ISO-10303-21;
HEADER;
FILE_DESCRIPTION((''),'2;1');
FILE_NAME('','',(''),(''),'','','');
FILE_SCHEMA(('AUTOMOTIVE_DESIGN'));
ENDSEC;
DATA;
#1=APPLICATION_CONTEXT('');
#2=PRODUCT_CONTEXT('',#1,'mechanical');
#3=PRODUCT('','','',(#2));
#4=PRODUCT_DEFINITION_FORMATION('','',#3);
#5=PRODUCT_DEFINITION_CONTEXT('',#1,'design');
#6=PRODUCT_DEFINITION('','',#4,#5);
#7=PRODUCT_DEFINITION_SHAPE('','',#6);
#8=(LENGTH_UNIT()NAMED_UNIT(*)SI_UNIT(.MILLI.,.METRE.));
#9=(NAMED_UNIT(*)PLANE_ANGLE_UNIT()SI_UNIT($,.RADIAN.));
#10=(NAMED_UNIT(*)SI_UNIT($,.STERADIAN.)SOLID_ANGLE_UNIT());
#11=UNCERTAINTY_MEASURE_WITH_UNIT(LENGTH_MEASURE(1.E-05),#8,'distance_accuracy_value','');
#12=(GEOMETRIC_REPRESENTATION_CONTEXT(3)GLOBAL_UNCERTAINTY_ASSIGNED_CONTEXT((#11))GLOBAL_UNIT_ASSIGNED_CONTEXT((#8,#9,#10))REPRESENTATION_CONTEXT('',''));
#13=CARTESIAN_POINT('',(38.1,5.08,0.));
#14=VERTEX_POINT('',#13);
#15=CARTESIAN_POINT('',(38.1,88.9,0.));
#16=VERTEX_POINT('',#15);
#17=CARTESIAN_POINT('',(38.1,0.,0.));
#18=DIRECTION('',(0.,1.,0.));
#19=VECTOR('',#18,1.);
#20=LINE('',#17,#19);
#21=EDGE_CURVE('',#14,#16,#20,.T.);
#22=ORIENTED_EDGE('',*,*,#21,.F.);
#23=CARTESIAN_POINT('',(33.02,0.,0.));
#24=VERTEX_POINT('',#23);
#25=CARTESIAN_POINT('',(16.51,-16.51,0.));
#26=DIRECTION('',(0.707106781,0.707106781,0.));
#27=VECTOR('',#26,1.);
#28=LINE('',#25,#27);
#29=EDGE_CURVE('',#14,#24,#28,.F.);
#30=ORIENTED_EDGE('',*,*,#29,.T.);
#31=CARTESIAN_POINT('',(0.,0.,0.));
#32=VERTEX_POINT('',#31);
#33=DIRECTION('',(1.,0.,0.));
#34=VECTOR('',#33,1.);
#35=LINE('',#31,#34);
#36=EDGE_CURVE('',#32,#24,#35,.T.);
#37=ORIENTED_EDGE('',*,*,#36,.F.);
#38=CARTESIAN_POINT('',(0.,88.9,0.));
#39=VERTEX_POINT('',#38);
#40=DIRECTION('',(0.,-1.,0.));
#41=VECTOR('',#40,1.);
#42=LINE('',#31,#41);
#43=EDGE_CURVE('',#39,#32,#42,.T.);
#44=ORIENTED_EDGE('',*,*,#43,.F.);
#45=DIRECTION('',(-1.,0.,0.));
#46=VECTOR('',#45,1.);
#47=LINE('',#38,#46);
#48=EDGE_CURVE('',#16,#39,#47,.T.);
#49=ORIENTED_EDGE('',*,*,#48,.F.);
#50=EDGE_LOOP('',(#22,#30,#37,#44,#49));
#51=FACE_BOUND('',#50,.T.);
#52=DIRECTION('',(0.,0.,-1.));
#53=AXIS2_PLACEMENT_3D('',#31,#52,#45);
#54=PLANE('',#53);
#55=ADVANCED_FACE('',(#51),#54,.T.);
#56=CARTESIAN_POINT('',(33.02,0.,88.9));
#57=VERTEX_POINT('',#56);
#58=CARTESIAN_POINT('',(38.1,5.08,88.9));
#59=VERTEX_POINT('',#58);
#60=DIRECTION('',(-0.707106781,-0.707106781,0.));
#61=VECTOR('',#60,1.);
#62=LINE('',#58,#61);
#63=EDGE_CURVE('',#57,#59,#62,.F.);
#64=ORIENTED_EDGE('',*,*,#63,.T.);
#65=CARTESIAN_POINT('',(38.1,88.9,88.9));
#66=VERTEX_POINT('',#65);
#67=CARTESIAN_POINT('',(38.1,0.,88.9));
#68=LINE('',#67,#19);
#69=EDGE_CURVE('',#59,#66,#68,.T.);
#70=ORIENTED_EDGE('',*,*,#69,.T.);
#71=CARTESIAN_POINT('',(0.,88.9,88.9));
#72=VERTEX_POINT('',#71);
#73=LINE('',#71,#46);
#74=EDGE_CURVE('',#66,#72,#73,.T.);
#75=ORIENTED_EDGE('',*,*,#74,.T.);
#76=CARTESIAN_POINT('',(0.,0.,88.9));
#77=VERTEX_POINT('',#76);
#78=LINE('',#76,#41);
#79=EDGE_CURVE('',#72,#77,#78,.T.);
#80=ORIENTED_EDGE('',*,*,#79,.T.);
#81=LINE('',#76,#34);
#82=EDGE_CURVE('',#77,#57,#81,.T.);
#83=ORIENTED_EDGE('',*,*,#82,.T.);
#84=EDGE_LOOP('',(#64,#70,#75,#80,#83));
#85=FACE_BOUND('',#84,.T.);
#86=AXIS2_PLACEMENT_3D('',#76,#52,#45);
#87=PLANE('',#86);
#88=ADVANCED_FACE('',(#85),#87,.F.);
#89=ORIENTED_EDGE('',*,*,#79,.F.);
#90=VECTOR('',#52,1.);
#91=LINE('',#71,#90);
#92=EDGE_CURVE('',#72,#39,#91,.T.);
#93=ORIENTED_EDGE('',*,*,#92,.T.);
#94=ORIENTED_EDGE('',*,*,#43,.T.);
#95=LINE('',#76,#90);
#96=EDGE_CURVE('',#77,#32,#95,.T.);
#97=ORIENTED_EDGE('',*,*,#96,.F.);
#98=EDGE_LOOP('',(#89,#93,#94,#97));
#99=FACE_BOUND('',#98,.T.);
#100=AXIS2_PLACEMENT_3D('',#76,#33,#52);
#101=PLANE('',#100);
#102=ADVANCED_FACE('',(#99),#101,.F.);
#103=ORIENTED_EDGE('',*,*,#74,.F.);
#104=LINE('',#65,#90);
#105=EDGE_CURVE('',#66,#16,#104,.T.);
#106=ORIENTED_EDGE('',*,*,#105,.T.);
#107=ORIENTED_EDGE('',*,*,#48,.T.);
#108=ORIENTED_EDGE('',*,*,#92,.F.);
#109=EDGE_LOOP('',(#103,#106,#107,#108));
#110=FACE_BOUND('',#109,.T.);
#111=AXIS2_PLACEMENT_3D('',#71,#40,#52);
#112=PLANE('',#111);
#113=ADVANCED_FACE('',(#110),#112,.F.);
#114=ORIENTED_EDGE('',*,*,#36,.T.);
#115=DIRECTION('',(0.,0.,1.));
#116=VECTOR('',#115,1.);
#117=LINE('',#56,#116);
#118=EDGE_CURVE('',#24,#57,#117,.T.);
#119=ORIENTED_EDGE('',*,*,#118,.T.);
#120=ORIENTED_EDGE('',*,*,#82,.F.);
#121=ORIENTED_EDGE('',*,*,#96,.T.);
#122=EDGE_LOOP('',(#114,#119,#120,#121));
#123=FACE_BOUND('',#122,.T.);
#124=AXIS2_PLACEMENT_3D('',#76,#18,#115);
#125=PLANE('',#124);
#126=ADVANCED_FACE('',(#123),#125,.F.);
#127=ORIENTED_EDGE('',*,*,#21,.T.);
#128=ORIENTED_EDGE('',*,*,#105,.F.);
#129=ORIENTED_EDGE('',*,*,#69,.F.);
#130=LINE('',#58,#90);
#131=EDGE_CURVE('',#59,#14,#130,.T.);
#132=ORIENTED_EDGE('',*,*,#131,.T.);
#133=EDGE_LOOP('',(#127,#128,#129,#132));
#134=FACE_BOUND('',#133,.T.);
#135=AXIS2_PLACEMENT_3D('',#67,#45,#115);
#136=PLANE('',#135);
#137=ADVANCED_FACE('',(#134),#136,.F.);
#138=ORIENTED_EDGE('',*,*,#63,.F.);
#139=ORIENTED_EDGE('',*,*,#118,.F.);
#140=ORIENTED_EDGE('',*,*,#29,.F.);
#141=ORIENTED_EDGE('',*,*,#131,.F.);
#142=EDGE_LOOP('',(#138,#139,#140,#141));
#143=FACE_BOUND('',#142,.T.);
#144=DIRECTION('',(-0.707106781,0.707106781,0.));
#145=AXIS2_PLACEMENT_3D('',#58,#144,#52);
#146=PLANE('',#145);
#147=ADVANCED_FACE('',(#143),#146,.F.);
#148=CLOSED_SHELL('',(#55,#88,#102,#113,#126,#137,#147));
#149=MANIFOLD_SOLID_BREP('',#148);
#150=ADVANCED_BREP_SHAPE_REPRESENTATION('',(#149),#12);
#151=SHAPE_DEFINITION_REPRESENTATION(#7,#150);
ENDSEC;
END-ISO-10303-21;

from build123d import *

# Parameters (mm, degrees)
SKETCH1_W           = 38.1
SKETCH1_H           = 88.9
BOSS_EXTRUDE1_DEPTH = 88.9
CHAMFER1_SIZE       = 5.08


with BuildPart() as part:
    # Sketch1 → Boss-Extrude1 (new body)
    with BuildSketch(Plane.XY):
        with Locations((19.05, 44.45)):
            Rectangle(SKETCH1_W, SKETCH1_H)
    extrude(amount=BOSS_EXTRUDE1_DEPTH)

    # Chamfer1
    chamfer1_edges = [part.edges().sort_by_distance(p)[0] for p in [
        (38.1, 0, 44.45),
    ]]
    chamfer(chamfer1_edges, length=CHAMFER1_SIZE)


solid = part.part
